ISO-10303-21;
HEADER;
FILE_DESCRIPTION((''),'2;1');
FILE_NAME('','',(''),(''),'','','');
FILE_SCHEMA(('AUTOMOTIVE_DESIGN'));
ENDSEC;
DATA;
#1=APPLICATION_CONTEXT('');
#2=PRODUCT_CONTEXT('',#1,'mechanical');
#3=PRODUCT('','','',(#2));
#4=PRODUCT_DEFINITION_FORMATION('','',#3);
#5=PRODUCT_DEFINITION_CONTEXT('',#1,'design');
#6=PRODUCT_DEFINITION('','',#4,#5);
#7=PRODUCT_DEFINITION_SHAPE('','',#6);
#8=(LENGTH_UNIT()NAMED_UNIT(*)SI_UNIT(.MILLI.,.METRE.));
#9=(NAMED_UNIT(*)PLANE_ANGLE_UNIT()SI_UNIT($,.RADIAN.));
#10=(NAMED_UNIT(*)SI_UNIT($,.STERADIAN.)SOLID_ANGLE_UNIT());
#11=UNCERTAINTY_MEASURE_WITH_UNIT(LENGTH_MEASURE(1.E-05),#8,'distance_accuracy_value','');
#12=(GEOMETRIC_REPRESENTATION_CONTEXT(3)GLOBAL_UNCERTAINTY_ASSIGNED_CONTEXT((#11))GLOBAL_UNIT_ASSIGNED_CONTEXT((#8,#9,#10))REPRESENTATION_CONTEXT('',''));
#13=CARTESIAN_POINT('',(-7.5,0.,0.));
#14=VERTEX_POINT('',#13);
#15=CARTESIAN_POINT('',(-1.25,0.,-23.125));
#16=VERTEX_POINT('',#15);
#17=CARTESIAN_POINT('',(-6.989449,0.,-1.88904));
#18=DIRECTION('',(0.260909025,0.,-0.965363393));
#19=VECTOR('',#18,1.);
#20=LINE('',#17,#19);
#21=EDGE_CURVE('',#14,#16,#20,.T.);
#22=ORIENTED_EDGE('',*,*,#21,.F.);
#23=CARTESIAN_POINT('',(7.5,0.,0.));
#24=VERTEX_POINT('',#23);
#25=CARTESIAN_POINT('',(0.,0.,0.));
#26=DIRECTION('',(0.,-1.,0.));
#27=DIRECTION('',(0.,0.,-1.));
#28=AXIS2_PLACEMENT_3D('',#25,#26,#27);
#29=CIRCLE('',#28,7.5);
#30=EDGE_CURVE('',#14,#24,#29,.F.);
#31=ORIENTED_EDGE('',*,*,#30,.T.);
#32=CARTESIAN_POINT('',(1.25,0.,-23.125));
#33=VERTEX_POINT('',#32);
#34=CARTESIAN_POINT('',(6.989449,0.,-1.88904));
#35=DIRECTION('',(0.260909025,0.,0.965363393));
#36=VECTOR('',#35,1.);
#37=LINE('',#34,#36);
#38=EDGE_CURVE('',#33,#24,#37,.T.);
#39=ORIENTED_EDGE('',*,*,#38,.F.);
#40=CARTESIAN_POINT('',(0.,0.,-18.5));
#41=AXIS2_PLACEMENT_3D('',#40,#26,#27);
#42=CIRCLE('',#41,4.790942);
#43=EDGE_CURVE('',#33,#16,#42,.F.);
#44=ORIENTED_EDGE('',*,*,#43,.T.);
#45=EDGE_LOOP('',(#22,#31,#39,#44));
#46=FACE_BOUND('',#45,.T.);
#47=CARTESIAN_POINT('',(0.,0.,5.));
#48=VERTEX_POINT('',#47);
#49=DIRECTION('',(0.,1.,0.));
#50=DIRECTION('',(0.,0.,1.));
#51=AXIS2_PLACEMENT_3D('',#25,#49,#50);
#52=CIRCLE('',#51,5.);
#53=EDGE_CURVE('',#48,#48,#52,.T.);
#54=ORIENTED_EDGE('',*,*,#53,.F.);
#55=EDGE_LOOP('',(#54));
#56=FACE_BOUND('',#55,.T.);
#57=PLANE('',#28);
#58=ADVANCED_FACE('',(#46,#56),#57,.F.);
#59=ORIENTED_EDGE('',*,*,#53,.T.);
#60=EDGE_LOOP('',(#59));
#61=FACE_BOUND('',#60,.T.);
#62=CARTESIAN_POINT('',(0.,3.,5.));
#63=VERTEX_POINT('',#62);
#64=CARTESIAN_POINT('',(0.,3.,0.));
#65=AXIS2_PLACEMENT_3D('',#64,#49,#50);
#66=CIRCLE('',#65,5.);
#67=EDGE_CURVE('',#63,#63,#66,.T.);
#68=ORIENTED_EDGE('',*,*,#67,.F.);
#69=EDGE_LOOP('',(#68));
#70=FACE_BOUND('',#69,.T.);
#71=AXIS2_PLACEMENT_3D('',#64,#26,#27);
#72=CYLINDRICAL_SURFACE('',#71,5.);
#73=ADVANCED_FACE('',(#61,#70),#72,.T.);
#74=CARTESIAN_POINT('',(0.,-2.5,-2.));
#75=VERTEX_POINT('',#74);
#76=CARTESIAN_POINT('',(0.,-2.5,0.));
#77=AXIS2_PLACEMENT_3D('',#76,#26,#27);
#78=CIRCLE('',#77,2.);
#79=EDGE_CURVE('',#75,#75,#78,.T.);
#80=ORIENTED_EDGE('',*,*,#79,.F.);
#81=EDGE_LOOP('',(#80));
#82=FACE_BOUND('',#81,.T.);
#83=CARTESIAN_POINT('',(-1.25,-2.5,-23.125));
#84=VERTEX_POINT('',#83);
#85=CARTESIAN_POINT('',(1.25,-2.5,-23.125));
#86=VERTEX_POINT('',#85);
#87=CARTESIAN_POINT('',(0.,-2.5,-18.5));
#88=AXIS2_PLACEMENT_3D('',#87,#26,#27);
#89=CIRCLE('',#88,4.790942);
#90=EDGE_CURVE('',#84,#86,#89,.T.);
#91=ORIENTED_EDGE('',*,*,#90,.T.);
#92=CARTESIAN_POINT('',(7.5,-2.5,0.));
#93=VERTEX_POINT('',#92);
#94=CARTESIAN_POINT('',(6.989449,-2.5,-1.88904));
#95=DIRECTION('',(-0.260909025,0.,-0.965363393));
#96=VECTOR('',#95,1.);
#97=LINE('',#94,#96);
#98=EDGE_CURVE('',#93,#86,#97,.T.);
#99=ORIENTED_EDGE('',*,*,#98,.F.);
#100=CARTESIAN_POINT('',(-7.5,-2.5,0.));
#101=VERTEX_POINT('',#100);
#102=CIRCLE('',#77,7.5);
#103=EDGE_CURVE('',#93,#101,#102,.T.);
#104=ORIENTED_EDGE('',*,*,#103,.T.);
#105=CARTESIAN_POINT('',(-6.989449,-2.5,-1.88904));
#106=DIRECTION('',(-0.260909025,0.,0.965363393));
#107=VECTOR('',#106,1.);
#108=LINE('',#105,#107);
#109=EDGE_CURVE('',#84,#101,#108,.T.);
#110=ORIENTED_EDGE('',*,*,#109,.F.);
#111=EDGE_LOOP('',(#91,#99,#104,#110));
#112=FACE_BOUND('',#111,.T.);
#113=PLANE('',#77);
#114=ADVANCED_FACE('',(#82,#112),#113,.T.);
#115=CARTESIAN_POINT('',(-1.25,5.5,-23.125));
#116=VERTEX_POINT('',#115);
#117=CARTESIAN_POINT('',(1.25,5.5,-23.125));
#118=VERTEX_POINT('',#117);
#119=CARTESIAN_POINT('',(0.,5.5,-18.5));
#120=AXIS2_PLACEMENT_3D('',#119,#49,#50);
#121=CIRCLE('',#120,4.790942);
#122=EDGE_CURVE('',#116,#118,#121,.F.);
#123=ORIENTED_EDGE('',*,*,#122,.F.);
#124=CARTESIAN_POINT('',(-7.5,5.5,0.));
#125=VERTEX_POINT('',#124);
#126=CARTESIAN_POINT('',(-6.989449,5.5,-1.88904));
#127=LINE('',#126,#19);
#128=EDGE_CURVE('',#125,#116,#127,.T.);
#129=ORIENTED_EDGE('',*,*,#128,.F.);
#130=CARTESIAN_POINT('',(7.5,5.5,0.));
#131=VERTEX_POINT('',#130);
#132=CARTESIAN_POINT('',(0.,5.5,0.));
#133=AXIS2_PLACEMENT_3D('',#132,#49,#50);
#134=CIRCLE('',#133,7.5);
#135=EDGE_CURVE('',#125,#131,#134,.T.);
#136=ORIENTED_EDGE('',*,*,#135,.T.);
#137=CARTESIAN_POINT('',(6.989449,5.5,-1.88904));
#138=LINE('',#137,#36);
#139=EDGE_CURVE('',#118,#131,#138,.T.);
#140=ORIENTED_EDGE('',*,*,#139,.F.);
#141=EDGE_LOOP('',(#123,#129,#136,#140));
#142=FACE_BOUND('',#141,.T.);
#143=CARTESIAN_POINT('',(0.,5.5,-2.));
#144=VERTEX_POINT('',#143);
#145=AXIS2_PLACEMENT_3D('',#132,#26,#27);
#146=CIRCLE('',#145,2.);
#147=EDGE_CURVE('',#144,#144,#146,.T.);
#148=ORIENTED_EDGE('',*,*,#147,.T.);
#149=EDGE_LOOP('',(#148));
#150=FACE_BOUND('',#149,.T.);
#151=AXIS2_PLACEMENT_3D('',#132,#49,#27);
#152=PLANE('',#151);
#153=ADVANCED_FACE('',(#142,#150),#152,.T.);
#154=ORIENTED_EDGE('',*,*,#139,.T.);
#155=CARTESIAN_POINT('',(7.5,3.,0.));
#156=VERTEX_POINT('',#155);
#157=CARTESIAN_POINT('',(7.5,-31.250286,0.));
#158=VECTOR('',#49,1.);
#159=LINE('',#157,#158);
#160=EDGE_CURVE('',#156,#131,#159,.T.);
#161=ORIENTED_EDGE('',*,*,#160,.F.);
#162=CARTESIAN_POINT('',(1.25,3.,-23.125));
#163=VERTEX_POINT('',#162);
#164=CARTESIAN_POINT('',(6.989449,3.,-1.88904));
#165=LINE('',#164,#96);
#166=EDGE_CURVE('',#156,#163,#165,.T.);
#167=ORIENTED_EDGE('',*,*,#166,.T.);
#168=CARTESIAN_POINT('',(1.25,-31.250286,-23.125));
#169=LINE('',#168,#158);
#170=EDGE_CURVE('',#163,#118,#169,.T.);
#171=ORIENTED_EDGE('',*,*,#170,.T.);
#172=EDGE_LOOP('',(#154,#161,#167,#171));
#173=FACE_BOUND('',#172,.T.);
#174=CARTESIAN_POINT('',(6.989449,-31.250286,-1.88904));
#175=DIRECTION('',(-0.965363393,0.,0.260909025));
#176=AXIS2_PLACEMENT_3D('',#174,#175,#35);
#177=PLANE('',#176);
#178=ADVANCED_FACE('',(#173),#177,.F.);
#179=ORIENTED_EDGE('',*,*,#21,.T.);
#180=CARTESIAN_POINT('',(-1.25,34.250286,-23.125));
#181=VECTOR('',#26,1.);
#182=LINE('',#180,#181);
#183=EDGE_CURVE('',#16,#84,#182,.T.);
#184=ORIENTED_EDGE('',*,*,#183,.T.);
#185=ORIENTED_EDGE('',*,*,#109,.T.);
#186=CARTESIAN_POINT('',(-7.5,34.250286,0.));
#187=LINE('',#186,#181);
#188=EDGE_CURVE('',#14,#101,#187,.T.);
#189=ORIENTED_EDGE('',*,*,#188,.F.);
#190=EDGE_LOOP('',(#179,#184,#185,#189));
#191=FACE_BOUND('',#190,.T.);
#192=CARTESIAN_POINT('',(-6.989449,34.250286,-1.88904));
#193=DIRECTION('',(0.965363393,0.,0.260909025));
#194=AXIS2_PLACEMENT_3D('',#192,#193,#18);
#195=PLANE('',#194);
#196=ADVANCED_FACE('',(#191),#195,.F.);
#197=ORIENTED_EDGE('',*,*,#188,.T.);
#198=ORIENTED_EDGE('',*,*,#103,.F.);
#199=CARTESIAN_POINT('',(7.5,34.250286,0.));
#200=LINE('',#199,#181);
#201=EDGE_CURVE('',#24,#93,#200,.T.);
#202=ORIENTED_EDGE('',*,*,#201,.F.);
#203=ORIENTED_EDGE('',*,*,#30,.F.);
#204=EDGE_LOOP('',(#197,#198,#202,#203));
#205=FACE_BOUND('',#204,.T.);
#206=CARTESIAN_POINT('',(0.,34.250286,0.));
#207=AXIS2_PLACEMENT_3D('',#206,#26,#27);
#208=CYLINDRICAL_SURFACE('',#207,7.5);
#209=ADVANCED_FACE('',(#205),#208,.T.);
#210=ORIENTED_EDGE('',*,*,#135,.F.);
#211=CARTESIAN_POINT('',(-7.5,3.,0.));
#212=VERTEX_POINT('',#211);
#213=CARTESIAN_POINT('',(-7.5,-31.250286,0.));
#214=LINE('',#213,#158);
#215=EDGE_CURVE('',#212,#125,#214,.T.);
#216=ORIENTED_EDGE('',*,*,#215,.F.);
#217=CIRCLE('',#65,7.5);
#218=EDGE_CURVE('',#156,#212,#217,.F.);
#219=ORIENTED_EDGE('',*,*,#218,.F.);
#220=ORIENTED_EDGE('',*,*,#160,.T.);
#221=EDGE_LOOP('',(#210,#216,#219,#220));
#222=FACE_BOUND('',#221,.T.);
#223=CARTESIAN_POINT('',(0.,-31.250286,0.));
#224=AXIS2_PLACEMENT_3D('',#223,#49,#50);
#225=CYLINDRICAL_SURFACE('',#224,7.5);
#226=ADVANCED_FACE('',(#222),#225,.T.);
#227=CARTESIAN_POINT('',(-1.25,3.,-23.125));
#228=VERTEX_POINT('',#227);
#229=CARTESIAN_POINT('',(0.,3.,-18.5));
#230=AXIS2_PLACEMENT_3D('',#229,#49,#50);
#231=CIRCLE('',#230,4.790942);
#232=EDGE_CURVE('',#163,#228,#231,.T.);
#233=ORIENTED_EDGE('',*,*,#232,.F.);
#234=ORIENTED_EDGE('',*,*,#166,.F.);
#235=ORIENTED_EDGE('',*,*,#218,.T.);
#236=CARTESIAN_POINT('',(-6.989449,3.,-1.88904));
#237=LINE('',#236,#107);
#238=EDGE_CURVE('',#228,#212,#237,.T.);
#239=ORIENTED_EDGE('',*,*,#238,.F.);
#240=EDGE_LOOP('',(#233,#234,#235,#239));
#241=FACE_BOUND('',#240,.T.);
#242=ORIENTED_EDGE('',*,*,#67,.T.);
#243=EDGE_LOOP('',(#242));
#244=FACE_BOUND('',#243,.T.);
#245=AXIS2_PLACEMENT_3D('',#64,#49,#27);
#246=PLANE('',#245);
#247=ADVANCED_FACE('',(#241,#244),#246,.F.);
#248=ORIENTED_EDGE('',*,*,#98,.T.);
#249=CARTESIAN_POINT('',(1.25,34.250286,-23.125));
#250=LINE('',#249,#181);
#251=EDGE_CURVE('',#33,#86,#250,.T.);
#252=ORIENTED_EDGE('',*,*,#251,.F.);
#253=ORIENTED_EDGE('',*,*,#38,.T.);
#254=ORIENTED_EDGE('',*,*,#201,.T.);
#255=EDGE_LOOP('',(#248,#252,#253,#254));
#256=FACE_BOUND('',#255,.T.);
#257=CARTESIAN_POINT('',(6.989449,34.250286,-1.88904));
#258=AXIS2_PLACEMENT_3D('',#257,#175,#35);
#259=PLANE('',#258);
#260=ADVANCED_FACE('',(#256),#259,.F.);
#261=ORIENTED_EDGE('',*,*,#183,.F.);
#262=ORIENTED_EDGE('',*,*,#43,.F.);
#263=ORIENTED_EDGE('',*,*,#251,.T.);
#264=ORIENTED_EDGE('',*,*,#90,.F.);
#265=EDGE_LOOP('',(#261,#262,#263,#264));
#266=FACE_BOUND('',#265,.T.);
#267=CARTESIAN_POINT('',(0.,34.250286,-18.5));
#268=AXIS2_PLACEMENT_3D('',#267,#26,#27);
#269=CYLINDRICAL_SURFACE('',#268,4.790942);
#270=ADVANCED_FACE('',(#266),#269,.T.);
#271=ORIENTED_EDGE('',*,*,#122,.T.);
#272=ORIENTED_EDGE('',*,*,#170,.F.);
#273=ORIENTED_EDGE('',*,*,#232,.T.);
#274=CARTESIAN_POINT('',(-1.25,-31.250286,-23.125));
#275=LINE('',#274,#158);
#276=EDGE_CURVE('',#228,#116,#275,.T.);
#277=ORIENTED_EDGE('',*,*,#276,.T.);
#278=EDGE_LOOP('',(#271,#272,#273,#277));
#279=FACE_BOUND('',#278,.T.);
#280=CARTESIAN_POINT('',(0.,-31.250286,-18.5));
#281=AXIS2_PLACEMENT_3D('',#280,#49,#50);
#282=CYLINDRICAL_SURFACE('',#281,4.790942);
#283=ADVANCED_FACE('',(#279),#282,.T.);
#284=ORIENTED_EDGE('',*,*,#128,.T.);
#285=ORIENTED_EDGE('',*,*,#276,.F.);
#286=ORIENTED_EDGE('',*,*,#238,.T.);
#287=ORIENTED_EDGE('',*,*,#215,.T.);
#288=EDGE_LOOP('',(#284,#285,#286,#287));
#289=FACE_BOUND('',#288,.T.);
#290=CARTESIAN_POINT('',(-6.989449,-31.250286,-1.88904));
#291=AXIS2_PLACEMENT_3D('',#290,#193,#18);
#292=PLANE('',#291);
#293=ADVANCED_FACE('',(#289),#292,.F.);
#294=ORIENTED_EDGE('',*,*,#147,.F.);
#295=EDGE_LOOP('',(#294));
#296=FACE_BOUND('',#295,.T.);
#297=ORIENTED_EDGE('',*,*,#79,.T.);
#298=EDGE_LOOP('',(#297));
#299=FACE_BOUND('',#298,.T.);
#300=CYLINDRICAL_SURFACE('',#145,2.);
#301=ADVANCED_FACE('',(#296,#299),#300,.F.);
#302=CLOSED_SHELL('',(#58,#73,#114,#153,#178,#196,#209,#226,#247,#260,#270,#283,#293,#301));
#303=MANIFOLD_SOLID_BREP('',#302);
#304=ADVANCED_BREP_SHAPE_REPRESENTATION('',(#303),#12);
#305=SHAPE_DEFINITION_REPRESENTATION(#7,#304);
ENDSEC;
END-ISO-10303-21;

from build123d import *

# Parameters (mm, degrees)
SKETCH_1_R          = 5
EXTRUDE_1_DEPTH     = 3
EXTRUDE_3_DEPTH     = 2.5
EXTRUDE_4_DEPTH     = 2.5
EXTRUDE_START       = -8
EXTRUDE_5_DEPTH     = 2.5
SKETCH_9_R          = 2
CUT_EXTRUDE_1_DEPTH = 9


with BuildPart() as part:
    # 草图1 → 凸台-拉伸1 (new body)
    with BuildSketch(Plane(origin=(0, 0, 0), x_dir=(1, 0, 0), z_dir=(0, 1, 0))):
        Circle(SKETCH_1_R)
    extrude(amount=EXTRUDE_1_DEPTH)

    # 草图6 → 凸台-拉伸3 (add)
    with BuildSketch(Plane.XZ):
        with BuildLine():
            Line((0, -5), (0, 5))
            ThreePointArc((0, 5), (-3.535533906, 3.535533906), (-5, 0))
            Line((-5, 0), (-4.319264806, -2.518720218))
            ThreePointArc((-4.319264806, -2.518720218), (-2.490622303, -4.335527712), (0, -5))
        make_face()
        with BuildLine():
            Line((0, -18.5), (0, -5))
            ThreePointArc((0, -5), (-2.490622303, -4.335527712), (-4.319264806, -2.518720218))
            Line((-4.319264806, -2.518720218), (0, -18.5))
        make_face()
        with BuildLine():
            ThreePointArc((5, 0), (3.535533906, 3.535533906), (0, 5))
            Line((0, 5), (0, -5))
            ThreePointArc((0, -5), (2.490622303, -4.335527712), (4.319264806, -2.518720218))
            Line((4.319264806, -2.518720218), (5, 0))
        make_face()
        with BuildLine():
            ThreePointArc((4.319264806, -2.518720218), (2.490622303, -4.335527712), (0, -5))
            Line((0, -5), (0, -18.5))
            Line((0, -18.5), (4.319264806, -2.518720218))
        make_face()
    extrude_3 = extrude(amount=EXTRUDE_3_DEPTH)

    # 镜向1: 凸台-拉伸3 across plane
    add(extrude_3.mirror(Plane.ZX.offset(1.5)))

    # 草图8 → 凸台-拉伸4 (add)
    with BuildSketch(Plane(origin=(0, 5.5, 0), x_dir=(1, 0, 0), z_dir=(0, 1, 0))):
        with BuildLine():
            Line((1.25, 23.125), (0, 18.5))
            Line((0, 18.5), (-1.25, 23.125))
            Line((-1.25, 23.125), (-7.5, 0))
            ThreePointArc((-7.5, 0), (0, -7.5), (7.5, 0))
            Line((7.5, 0), (1.25, 23.125))
        make_face()
        with BuildLine():
            Line((-5, 0), (0, 18.5))
            Line((0, 18.5), (5, 0))
            ThreePointArc((5, 0), (0, -5), (-5, 0))
        make_face(mode=Mode.SUBTRACT)
        with BuildLine():
            Line((-1.25, 23.125), (0, 18.5))
            Line((0, 18.5), (1.25, 23.125))
            ThreePointArc((1.25, 23.125), (0, 23.290941974), (-1.25, 23.125))
        make_face()
    extrude(amount=-EXTRUDE_4_DEPTH)

    # 草图8<4> → 凸台-拉伸5 (add)
    with BuildSketch(Plane(origin=(0, 5.5, 0), x_dir=(1, 0, 0), z_dir=(0, 1, 0)).offset(EXTRUDE_START)):
        with BuildLine():
            Line((-7.5, 0), (-1.25, 23.125))
            ThreePointArc((-1.25, 23.125), (0, 23.290941974), (1.25, 23.125))
            Line((1.25, 23.125), (7.5, 0))
            ThreePointArc((7.5, 0), (0, -7.5), (-7.5, 0))
        make_face()
    extrude(amount=EXTRUDE_5_DEPTH)

    # 草图9 → 切除-拉伸1 (cut, through all)
    with BuildSketch(Plane.XZ.offset(2.5)):
        Circle(SKETCH_9_R)
    extrude(amount=-CUT_EXTRUDE_1_DEPTH, mode=Mode.SUBTRACT)


solid = part.part
